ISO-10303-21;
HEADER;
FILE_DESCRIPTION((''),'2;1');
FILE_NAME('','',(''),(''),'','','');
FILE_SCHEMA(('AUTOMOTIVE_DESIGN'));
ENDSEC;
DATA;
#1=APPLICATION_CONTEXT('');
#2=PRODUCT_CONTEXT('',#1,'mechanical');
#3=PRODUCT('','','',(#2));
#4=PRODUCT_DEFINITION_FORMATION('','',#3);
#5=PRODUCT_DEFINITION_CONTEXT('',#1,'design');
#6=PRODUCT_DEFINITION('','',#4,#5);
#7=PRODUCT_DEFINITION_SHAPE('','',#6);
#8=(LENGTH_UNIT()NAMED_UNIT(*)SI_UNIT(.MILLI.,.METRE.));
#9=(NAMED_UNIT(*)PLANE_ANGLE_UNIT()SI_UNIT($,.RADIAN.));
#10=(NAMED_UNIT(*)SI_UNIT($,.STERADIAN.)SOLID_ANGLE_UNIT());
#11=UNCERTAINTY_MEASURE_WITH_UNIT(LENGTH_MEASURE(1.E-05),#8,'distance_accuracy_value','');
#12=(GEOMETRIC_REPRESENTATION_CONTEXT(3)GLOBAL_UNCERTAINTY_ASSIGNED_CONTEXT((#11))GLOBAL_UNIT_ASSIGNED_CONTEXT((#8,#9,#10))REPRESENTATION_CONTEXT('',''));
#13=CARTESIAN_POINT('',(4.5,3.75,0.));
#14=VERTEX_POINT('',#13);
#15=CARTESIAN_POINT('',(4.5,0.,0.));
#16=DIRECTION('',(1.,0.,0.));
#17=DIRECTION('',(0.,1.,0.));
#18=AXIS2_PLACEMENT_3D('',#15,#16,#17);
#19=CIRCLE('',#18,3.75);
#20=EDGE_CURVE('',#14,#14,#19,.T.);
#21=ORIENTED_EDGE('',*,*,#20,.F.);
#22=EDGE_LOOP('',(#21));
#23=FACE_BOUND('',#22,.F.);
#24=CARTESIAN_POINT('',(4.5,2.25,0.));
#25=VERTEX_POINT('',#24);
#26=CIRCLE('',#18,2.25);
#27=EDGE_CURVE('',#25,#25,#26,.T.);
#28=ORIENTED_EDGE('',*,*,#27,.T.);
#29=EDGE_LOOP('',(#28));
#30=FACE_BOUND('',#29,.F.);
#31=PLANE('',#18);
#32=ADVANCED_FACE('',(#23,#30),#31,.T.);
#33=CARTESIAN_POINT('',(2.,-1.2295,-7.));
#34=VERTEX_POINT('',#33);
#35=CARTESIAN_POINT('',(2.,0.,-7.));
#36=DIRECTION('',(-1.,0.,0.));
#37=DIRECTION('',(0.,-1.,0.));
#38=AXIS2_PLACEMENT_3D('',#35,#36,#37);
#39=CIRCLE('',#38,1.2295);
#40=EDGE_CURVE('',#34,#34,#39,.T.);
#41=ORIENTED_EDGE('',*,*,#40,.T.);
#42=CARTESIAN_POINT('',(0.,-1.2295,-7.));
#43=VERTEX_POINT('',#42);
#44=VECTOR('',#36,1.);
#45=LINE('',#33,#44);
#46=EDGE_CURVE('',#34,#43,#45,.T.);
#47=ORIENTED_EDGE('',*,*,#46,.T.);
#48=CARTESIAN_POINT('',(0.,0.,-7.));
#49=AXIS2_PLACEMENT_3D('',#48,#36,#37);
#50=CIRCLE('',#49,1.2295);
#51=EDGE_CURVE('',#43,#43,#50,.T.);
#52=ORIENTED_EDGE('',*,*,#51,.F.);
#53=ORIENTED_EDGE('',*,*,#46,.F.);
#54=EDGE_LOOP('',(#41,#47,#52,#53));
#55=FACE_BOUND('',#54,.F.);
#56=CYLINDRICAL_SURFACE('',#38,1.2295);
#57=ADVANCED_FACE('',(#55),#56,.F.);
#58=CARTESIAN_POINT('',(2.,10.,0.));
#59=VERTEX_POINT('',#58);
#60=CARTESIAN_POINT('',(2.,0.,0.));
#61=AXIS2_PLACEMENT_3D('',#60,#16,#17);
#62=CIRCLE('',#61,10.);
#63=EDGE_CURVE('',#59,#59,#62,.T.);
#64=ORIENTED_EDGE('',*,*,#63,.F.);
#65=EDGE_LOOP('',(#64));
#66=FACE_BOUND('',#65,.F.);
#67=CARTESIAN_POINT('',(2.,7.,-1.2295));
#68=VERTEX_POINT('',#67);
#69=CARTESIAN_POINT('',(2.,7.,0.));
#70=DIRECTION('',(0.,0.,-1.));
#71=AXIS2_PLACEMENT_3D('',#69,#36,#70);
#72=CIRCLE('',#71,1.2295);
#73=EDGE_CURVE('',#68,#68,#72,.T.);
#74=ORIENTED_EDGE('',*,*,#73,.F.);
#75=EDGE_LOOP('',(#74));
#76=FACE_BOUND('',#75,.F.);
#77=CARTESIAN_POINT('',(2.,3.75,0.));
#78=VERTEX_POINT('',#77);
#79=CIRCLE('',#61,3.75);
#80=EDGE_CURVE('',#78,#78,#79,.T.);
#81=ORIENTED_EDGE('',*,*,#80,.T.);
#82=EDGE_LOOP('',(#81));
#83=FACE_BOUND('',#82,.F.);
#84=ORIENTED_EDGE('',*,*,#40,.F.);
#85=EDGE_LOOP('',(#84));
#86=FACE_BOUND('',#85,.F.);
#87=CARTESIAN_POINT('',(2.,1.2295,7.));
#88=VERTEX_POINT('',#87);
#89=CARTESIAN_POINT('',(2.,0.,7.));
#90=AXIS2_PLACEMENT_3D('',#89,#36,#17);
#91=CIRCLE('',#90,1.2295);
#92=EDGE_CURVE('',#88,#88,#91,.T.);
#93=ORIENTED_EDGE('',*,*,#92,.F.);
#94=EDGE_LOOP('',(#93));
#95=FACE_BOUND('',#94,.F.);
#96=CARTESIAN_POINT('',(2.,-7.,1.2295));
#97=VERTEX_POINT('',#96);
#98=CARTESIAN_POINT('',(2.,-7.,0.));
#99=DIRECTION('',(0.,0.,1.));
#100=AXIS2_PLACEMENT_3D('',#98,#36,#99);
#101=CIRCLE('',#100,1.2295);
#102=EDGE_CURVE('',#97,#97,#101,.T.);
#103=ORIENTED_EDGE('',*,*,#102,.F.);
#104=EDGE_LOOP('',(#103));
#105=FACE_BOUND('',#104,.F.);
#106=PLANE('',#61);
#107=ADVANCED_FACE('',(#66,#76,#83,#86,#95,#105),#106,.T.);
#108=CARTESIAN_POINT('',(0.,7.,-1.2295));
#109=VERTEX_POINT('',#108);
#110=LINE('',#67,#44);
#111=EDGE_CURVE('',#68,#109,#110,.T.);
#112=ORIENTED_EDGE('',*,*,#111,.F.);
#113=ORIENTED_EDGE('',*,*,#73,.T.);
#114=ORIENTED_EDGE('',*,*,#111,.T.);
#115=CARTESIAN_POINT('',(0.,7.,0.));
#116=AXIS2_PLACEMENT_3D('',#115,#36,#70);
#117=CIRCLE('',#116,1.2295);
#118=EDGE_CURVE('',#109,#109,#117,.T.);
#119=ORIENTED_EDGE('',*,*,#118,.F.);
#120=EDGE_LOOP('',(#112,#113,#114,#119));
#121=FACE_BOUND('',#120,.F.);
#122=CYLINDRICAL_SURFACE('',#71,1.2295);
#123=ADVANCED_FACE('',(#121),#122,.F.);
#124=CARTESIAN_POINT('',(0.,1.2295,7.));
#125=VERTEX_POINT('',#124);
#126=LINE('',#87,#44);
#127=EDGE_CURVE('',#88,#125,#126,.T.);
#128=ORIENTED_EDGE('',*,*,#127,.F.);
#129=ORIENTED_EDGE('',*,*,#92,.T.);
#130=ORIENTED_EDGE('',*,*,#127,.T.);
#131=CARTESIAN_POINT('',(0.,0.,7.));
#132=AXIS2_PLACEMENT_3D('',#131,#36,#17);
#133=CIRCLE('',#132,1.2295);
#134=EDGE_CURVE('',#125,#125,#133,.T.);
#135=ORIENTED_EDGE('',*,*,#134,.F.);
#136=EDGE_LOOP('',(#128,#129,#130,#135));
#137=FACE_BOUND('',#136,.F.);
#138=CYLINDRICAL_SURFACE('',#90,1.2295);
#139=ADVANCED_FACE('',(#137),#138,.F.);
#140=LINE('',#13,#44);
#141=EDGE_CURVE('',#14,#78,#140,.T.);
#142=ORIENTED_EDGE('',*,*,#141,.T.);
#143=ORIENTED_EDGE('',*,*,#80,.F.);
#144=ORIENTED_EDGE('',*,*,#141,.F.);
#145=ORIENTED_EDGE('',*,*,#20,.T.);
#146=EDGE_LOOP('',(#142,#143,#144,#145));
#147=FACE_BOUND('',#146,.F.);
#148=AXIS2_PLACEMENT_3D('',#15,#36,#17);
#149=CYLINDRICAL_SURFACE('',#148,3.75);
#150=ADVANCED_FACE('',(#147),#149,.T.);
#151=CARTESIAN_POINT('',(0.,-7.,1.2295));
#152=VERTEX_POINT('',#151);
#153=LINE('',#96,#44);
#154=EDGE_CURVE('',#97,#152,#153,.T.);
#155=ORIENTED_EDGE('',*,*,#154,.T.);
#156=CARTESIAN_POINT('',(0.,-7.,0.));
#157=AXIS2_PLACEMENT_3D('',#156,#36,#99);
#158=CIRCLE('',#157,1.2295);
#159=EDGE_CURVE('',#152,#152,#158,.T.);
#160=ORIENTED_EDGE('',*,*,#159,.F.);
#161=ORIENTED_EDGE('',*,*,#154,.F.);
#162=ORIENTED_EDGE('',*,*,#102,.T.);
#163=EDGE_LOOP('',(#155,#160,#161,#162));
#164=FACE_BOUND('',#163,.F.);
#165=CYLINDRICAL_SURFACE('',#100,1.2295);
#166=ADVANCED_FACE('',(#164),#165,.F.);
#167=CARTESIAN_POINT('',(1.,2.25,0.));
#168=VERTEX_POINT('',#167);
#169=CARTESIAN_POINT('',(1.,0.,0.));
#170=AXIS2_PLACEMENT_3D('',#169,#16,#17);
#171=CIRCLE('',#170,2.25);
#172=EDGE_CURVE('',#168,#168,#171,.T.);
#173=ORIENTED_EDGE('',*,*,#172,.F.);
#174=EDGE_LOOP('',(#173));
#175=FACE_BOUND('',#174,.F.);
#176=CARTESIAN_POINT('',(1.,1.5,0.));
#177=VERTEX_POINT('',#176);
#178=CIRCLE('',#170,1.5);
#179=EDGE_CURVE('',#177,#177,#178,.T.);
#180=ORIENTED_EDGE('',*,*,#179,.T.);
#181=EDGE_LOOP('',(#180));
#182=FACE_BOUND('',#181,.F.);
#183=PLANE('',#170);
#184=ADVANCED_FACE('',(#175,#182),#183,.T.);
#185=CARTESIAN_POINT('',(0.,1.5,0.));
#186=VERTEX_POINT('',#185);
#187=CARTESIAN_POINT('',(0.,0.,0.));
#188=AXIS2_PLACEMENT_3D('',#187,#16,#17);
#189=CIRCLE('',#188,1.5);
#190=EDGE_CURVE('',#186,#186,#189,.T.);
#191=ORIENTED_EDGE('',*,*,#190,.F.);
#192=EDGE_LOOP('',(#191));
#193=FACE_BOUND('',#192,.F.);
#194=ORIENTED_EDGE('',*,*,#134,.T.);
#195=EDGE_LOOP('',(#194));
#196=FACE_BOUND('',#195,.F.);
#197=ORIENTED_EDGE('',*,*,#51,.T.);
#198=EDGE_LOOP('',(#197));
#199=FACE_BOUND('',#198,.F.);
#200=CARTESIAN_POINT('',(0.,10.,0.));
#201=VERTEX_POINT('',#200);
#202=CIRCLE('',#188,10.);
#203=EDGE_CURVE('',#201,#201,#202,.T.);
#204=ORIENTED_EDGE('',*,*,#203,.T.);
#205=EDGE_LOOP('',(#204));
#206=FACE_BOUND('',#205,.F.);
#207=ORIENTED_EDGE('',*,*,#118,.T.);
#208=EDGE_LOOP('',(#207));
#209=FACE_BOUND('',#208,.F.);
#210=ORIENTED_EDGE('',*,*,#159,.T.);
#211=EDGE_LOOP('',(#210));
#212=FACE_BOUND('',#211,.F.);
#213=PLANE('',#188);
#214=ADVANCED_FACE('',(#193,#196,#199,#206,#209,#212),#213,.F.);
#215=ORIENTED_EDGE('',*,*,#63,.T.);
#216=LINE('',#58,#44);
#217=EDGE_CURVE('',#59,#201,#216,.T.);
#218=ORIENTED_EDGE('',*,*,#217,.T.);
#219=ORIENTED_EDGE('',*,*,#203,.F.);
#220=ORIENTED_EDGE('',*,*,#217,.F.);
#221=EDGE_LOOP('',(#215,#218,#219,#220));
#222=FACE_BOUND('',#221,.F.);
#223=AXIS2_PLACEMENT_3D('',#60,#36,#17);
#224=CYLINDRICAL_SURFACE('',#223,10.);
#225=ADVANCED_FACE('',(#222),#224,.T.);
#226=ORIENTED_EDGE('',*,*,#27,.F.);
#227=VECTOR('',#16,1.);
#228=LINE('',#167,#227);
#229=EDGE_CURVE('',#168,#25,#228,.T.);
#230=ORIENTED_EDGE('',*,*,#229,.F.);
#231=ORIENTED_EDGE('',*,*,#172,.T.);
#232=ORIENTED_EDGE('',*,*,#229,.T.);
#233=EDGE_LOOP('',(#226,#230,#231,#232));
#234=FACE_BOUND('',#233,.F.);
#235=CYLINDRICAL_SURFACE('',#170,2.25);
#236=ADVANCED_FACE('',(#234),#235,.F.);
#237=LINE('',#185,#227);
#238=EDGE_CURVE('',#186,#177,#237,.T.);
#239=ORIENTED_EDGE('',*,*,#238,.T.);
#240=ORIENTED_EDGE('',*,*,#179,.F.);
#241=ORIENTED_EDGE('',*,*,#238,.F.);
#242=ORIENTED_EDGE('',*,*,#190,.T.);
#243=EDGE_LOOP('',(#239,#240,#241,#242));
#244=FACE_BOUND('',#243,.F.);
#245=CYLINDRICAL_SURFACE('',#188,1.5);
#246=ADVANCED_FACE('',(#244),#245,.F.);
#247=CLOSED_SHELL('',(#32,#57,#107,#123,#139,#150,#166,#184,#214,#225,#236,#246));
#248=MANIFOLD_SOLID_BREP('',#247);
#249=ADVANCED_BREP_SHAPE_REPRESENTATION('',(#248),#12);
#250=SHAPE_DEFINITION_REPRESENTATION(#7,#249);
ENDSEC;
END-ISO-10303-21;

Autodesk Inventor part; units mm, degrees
ref_plane "YZ Plane" through (0, 0, 0) normal (1, 0, 0) x (0, 1, 0)
ref_plane "XZ Plane" through (0, 0, 0) normal (0, 1, 0) x (-1, 0, 0)
ref_plane "XY Plane" through (0, 0, 0) normal (0, 0, 1) x (1, 0, 0)
sketch "Skizze1" plane through (0, 0, 0) normal (0, 0, 1) x (1, 0, 0)
  line L0 (0, 0) -> (4.5, 0)
  line L1 (0, 1.5) -> (1, 1.5)
  line L2 (1, 1.5) -> (1, 2.25)
  line L3 (1, 2.25) -> (4.5, 2.25)
  line L4 (4.5, 2.25) -> (4.5, 3.75)
  line L5 (4.5, 3.75) -> (2, 3.75)
  line L6 (2, 3.75) -> (2, 10)
  line L7 (2, 10) -> (0, 10)
  line L8 (0, 10) -> (0, 1.5)
  point P0 (0.5, 1.5)
  dimension "d0" = 4.5
  dimension "d1" = 3
  dimension "d2" = 1
  dimension "d3" = 7.5
  dimension "d4" = 4.5
  dimension "d5" = 2
  dimension "d6" = 20
revolve "Umdrehung1" add sketch "Skizze1" angle 360 about axis through (0, 0, 0) along (1, 0, 0)
sketch "Skizze2" plane through (2, 0, 0) normal (1, 0, 0) x (0, 0, -1)
  point P0 (0, 0)
  point P1 (0, 7)
  dimension "d8" = 7
hole "Bohrung1" at (2, 7, 0) direction (-1, 0, 0) diameter 2.459 end through all thread size "M3x0.5" class "6H" standard "ISO Metric profile"
pattern_circular "Runde Anordnung1" count 4 over 360 about axis through (2.75, 0, 0) along (1, 0, 0) of "Bohrung1"
properties part number "Motor Adapter"
